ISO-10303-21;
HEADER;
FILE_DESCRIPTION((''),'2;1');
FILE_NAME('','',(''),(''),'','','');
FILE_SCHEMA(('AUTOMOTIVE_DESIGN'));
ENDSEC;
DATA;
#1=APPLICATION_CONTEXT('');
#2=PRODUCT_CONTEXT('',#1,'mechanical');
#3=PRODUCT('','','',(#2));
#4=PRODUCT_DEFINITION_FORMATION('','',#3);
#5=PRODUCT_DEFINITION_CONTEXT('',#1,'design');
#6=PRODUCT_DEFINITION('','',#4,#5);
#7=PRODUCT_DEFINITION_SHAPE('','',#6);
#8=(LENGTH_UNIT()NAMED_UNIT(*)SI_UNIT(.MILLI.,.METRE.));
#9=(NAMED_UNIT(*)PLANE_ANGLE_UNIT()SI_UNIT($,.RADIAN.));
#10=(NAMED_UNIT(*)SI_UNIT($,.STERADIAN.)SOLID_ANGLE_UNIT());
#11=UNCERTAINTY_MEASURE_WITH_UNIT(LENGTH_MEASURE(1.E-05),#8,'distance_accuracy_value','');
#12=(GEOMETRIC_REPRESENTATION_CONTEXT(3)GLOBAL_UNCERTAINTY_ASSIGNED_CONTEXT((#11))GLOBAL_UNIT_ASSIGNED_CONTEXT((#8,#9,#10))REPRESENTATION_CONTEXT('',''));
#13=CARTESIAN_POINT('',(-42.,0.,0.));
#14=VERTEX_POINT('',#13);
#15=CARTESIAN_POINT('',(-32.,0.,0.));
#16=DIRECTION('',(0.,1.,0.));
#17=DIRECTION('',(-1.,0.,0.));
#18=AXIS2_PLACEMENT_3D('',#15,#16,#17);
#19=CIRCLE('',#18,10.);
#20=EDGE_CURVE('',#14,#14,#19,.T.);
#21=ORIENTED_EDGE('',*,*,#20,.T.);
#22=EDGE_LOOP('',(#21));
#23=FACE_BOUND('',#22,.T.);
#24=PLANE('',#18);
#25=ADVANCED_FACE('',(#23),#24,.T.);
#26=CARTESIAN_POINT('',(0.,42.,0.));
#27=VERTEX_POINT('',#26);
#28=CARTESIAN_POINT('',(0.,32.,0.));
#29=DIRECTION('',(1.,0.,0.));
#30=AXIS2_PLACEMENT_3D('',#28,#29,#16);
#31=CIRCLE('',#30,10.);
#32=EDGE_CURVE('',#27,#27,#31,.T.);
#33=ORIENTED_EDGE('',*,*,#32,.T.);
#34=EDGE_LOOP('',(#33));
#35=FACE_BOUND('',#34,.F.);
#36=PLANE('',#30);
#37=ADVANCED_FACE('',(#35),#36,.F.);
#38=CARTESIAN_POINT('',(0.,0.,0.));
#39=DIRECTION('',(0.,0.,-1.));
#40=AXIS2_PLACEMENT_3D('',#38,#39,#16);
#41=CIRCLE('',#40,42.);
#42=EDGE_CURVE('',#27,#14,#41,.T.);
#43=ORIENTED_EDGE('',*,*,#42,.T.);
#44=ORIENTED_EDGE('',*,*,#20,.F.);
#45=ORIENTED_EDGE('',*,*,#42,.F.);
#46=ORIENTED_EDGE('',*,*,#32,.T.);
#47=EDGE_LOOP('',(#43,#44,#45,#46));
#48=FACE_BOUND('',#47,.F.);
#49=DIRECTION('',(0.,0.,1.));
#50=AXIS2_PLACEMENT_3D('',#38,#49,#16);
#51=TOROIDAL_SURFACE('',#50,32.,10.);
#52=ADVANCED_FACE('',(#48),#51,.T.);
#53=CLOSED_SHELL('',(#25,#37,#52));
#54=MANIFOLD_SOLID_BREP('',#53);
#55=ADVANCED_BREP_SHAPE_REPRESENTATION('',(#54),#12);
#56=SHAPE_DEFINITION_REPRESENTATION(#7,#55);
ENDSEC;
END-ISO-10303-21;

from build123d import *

# Parameters (mm, degrees)
F0_R     = 10
F1_ANGLE = 270


with BuildPart() as f1:
    # F0 (on Right) → F1 (revolve)
    with BuildSketch(Plane.YZ):
        with Locations((32, 0)):
            Circle(F0_R)
    revolve(axis=Axis((0, 0, 4.303278), (0, 0, -1)), revolution_arc=F1_ANGLE)


solid = f1.part
